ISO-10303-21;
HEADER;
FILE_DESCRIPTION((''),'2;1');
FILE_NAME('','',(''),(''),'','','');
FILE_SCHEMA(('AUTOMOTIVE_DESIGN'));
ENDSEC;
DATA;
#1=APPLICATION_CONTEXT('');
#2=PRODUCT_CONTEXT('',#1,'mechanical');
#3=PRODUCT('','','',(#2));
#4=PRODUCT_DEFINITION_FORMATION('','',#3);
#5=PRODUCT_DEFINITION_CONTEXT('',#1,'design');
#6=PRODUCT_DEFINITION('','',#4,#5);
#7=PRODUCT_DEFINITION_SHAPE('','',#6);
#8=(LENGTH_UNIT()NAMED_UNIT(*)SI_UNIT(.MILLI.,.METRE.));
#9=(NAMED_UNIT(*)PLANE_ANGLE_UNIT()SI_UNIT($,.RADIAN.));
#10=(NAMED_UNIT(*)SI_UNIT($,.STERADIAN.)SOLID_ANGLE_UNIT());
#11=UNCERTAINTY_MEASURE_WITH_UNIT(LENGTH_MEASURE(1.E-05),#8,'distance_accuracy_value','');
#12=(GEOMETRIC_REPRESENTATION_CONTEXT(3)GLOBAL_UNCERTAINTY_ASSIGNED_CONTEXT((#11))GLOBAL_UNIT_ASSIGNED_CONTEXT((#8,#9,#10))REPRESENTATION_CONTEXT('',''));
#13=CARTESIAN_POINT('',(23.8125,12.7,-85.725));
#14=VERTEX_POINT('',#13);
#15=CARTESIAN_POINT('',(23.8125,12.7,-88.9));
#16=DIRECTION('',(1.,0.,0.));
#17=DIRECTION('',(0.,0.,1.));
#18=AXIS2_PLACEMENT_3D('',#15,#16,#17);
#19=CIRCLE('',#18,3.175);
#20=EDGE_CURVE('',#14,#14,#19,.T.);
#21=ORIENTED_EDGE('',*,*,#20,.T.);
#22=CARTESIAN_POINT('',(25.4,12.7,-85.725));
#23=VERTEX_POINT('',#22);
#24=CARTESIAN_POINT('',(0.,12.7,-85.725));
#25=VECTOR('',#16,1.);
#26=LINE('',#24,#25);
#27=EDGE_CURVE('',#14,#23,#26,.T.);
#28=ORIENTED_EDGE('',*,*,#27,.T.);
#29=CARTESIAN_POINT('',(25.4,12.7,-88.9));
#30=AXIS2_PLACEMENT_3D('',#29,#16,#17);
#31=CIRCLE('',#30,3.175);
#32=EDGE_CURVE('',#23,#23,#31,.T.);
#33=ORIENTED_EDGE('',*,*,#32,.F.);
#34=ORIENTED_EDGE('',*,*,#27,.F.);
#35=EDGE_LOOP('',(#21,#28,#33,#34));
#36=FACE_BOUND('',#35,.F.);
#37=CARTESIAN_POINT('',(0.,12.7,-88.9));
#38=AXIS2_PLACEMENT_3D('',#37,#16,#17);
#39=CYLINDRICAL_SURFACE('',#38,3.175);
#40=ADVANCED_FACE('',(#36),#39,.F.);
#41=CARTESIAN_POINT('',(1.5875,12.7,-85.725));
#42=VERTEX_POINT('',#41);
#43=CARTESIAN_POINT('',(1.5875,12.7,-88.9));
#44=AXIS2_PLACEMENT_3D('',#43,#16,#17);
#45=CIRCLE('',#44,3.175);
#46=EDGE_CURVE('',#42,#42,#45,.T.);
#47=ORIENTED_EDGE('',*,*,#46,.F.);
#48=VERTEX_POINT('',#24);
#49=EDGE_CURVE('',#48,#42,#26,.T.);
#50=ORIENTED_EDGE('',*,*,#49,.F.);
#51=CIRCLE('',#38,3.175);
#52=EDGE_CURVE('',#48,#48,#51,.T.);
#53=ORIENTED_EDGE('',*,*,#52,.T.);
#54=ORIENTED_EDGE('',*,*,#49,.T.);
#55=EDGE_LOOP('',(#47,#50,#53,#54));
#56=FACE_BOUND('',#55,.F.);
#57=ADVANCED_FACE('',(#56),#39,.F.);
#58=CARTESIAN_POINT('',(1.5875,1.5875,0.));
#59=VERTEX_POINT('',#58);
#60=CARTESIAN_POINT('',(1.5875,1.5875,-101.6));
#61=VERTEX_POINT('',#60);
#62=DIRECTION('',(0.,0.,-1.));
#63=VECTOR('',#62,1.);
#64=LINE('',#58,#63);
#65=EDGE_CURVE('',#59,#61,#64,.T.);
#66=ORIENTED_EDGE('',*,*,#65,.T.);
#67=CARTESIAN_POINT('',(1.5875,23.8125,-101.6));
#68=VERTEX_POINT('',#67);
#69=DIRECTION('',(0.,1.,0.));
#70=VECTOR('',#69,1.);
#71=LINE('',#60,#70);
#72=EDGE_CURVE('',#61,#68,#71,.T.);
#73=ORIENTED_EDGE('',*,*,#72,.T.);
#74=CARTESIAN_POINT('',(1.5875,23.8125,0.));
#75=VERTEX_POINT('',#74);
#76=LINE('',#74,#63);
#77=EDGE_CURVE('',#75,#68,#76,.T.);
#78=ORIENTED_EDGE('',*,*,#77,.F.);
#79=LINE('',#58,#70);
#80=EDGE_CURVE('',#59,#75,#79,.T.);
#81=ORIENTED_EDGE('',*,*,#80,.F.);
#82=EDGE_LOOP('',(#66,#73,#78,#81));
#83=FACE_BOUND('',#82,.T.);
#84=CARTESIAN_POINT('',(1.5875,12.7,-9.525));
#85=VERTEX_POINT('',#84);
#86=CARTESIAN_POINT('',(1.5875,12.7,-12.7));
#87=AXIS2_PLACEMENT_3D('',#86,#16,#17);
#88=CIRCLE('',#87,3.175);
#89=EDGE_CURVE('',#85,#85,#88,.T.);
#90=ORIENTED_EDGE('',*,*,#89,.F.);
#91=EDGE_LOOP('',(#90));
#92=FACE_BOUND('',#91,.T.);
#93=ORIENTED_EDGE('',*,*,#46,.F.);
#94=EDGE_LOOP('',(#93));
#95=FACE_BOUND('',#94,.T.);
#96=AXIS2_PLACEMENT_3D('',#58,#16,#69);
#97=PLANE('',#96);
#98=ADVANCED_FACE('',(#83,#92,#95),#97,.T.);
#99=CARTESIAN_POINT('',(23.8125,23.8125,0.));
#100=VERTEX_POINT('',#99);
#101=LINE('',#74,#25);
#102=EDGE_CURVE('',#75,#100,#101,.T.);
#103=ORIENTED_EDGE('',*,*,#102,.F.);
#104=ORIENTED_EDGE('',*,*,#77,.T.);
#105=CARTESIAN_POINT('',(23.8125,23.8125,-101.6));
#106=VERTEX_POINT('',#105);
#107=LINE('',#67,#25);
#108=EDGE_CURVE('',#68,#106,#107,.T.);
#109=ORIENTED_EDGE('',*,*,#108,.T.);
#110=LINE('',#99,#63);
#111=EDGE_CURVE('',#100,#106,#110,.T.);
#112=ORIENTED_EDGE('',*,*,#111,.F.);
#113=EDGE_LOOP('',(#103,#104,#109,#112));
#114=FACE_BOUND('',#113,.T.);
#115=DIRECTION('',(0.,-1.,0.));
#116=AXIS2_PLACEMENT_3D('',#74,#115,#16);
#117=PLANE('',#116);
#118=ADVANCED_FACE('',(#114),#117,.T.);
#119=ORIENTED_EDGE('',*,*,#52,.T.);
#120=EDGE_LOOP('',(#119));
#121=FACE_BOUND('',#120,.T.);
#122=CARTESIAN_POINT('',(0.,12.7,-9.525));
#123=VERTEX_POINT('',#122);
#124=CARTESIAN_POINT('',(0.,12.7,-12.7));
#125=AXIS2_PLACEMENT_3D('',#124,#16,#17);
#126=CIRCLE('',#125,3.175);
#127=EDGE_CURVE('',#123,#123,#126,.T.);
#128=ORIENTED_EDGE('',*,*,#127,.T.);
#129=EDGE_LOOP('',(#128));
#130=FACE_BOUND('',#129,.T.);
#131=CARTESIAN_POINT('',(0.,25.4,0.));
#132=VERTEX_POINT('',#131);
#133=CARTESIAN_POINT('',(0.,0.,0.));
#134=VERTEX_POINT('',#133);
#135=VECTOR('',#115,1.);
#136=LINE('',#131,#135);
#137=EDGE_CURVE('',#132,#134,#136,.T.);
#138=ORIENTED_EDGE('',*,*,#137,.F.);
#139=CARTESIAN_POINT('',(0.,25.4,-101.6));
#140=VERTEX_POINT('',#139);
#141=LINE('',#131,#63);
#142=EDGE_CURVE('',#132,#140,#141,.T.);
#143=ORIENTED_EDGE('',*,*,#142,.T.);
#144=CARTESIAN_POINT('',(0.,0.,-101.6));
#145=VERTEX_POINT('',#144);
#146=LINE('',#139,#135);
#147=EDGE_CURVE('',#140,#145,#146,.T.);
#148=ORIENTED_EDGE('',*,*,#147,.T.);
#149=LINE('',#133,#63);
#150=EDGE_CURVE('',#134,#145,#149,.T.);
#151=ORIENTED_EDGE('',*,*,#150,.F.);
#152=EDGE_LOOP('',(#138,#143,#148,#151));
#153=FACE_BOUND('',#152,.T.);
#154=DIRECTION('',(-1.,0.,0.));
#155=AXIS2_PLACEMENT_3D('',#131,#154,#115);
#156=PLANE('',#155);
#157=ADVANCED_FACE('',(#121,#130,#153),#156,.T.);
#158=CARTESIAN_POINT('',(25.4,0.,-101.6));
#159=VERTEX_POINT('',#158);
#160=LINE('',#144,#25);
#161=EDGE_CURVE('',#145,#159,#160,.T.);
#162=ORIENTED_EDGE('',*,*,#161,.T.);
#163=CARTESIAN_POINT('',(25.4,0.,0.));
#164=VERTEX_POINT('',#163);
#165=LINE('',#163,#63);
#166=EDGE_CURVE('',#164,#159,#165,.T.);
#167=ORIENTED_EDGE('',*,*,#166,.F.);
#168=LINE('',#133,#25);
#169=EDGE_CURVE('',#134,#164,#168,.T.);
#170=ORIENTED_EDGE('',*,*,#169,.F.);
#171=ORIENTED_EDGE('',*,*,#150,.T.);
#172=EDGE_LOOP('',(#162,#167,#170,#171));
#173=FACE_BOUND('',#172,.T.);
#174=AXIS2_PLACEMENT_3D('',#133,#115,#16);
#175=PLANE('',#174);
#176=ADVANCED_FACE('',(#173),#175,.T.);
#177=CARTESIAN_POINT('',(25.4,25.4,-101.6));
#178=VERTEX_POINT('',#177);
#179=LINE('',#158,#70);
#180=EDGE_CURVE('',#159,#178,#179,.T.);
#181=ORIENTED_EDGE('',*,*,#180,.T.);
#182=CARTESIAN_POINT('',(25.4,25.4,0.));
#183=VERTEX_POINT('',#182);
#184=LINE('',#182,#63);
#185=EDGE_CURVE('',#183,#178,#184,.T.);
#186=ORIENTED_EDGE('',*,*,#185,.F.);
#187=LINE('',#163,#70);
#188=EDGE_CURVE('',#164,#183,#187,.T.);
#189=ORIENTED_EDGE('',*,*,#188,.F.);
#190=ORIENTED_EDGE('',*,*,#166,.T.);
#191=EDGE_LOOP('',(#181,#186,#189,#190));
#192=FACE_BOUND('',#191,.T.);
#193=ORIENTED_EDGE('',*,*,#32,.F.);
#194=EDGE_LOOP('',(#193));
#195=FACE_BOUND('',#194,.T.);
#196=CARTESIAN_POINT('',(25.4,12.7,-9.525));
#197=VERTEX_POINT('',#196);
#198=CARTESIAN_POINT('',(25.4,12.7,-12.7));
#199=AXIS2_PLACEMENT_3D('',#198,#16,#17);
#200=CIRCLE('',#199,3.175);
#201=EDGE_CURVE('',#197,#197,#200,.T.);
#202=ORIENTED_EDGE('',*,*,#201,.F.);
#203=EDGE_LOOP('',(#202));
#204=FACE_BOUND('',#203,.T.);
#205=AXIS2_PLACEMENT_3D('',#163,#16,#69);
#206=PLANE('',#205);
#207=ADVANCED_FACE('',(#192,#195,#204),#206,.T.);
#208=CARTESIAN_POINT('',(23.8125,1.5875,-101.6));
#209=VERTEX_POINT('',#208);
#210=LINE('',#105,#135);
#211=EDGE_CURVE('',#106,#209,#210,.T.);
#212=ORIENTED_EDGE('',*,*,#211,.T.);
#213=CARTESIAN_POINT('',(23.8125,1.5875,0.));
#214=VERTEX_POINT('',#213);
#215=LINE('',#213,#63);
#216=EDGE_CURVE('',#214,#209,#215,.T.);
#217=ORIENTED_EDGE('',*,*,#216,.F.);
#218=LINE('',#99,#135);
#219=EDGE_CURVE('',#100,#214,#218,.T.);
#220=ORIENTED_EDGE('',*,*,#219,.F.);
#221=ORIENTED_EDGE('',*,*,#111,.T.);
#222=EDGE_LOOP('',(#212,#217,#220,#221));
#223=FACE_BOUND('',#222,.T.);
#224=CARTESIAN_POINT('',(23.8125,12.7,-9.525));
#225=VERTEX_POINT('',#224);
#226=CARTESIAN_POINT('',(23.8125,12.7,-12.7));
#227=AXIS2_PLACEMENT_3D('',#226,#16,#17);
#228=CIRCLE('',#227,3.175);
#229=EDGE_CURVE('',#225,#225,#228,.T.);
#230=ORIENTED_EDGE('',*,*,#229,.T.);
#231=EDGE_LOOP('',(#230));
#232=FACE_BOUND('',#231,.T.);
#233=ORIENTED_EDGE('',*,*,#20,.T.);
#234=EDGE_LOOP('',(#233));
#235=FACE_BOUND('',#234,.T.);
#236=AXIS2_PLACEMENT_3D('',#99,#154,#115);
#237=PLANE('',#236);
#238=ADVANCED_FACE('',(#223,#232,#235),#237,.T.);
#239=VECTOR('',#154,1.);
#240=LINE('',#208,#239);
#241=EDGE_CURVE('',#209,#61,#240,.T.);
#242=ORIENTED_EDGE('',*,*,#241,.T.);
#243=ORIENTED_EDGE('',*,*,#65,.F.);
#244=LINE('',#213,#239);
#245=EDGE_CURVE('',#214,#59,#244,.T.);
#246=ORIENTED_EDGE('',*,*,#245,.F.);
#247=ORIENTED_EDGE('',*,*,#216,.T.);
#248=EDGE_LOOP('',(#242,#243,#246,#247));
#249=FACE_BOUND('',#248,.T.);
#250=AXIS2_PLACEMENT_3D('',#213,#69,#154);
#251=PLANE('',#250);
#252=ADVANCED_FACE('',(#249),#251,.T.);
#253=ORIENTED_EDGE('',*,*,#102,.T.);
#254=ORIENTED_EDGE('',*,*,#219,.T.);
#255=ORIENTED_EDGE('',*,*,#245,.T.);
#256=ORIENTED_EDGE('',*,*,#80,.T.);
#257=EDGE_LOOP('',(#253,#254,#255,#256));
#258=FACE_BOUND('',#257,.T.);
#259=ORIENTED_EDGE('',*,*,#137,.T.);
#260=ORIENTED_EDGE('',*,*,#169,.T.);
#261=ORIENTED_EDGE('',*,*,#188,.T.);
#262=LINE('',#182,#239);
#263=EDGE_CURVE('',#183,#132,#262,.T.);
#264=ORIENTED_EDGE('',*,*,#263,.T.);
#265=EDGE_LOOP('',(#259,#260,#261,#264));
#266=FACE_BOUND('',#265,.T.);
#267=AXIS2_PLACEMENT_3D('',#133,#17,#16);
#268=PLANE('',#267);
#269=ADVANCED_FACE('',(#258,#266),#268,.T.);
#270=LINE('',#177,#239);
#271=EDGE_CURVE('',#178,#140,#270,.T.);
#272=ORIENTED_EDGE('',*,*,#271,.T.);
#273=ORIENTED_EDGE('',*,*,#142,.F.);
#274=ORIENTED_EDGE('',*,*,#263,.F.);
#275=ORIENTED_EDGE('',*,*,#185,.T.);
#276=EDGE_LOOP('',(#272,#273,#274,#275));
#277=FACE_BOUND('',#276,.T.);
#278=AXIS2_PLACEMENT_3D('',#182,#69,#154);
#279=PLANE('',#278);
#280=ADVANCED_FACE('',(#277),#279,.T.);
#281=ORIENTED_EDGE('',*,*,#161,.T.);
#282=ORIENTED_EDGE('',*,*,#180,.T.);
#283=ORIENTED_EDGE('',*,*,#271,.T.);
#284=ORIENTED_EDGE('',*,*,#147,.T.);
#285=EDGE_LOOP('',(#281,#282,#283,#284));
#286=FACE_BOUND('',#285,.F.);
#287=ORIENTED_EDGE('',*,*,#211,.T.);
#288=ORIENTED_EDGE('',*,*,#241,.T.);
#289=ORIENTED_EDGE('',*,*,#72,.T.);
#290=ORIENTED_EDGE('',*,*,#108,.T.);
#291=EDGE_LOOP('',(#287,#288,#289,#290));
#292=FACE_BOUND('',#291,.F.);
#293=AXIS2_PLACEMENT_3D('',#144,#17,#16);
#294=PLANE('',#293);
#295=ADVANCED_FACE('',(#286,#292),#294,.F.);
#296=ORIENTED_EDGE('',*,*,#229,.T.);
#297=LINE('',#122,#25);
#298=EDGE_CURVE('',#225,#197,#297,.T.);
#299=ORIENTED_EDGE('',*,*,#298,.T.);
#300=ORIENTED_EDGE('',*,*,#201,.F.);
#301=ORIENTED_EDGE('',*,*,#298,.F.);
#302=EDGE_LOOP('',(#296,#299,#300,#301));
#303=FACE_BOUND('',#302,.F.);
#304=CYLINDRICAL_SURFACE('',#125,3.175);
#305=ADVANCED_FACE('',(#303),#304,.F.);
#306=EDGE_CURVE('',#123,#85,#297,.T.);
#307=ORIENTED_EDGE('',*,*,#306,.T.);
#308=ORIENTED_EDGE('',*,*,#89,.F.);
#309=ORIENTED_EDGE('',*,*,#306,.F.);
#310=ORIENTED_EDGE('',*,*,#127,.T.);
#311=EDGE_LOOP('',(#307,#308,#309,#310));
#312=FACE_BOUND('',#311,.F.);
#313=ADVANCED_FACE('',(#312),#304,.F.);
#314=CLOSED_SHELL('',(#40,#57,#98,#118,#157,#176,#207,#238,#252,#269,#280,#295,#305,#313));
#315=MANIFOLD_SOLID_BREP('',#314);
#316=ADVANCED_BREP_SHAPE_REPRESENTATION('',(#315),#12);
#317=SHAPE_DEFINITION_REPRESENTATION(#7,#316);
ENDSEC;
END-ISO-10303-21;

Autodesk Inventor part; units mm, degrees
ref_plane "YZ Plane" through (0, 0, 0) normal (1, 0, 0) x (0, 1, 0)
ref_plane "XZ Plane" through (0, 0, 0) normal (0, 1, 0) x (-1, 0, 0)
ref_plane "XY Plane" through (0, 0, 0) normal (0, 0, 1) x (1, 0, 0)
sketch "Sketch1" plane through (0, 0, 0) normal (0, 0, 1) x (1, 0, 0)
  line L0 (0, 0) -> (25.4, 0)
  line L1 (25.4, 0) -> (25.4, 25.4)
  line L2 (25.4, 25.4) -> (0, 25.4)
  line L3 (0, 25.4) -> (0, 0)
  line L4 (1.5875, 23.8125) -> (23.8125, 23.8125)
  line L5 (23.8125, 23.8125) -> (23.8125, 1.5875)
  line L6 (23.8125, 1.5875) -> (1.5875, 1.5875)
  line L7 (1.5875, 1.5875) -> (1.5875, 23.8125)
  dimension "d0" = 25.4
  dimension "d1" = 25.4
  dimension "d2" = 1.5875
extrude "Extrusion1" add sketch "Sketch1" against normal blind 101.6
sketch "Sketch3" plane through (0, 0, 0) normal (-1, 0, 0) x (0, 0, 1)
  line L0 (-101.6, 25.4) -> (-101.6, 0) projected
  line L1 (0, 25.4) -> (0, 0) projected
  point P0 (-88.9, 12.7)
  point P1 (-12.7, 12.7)
  dimension "d5" = 12.7
  dimension "d6" = 12.7
hole "Hole1" at (0, 12.7, -88.9) at (0, 12.7, -12.7) direction (1, 0, 0) diameter 6.35 depth 25.4 tip angle 118
properties part number "1tube_9"
